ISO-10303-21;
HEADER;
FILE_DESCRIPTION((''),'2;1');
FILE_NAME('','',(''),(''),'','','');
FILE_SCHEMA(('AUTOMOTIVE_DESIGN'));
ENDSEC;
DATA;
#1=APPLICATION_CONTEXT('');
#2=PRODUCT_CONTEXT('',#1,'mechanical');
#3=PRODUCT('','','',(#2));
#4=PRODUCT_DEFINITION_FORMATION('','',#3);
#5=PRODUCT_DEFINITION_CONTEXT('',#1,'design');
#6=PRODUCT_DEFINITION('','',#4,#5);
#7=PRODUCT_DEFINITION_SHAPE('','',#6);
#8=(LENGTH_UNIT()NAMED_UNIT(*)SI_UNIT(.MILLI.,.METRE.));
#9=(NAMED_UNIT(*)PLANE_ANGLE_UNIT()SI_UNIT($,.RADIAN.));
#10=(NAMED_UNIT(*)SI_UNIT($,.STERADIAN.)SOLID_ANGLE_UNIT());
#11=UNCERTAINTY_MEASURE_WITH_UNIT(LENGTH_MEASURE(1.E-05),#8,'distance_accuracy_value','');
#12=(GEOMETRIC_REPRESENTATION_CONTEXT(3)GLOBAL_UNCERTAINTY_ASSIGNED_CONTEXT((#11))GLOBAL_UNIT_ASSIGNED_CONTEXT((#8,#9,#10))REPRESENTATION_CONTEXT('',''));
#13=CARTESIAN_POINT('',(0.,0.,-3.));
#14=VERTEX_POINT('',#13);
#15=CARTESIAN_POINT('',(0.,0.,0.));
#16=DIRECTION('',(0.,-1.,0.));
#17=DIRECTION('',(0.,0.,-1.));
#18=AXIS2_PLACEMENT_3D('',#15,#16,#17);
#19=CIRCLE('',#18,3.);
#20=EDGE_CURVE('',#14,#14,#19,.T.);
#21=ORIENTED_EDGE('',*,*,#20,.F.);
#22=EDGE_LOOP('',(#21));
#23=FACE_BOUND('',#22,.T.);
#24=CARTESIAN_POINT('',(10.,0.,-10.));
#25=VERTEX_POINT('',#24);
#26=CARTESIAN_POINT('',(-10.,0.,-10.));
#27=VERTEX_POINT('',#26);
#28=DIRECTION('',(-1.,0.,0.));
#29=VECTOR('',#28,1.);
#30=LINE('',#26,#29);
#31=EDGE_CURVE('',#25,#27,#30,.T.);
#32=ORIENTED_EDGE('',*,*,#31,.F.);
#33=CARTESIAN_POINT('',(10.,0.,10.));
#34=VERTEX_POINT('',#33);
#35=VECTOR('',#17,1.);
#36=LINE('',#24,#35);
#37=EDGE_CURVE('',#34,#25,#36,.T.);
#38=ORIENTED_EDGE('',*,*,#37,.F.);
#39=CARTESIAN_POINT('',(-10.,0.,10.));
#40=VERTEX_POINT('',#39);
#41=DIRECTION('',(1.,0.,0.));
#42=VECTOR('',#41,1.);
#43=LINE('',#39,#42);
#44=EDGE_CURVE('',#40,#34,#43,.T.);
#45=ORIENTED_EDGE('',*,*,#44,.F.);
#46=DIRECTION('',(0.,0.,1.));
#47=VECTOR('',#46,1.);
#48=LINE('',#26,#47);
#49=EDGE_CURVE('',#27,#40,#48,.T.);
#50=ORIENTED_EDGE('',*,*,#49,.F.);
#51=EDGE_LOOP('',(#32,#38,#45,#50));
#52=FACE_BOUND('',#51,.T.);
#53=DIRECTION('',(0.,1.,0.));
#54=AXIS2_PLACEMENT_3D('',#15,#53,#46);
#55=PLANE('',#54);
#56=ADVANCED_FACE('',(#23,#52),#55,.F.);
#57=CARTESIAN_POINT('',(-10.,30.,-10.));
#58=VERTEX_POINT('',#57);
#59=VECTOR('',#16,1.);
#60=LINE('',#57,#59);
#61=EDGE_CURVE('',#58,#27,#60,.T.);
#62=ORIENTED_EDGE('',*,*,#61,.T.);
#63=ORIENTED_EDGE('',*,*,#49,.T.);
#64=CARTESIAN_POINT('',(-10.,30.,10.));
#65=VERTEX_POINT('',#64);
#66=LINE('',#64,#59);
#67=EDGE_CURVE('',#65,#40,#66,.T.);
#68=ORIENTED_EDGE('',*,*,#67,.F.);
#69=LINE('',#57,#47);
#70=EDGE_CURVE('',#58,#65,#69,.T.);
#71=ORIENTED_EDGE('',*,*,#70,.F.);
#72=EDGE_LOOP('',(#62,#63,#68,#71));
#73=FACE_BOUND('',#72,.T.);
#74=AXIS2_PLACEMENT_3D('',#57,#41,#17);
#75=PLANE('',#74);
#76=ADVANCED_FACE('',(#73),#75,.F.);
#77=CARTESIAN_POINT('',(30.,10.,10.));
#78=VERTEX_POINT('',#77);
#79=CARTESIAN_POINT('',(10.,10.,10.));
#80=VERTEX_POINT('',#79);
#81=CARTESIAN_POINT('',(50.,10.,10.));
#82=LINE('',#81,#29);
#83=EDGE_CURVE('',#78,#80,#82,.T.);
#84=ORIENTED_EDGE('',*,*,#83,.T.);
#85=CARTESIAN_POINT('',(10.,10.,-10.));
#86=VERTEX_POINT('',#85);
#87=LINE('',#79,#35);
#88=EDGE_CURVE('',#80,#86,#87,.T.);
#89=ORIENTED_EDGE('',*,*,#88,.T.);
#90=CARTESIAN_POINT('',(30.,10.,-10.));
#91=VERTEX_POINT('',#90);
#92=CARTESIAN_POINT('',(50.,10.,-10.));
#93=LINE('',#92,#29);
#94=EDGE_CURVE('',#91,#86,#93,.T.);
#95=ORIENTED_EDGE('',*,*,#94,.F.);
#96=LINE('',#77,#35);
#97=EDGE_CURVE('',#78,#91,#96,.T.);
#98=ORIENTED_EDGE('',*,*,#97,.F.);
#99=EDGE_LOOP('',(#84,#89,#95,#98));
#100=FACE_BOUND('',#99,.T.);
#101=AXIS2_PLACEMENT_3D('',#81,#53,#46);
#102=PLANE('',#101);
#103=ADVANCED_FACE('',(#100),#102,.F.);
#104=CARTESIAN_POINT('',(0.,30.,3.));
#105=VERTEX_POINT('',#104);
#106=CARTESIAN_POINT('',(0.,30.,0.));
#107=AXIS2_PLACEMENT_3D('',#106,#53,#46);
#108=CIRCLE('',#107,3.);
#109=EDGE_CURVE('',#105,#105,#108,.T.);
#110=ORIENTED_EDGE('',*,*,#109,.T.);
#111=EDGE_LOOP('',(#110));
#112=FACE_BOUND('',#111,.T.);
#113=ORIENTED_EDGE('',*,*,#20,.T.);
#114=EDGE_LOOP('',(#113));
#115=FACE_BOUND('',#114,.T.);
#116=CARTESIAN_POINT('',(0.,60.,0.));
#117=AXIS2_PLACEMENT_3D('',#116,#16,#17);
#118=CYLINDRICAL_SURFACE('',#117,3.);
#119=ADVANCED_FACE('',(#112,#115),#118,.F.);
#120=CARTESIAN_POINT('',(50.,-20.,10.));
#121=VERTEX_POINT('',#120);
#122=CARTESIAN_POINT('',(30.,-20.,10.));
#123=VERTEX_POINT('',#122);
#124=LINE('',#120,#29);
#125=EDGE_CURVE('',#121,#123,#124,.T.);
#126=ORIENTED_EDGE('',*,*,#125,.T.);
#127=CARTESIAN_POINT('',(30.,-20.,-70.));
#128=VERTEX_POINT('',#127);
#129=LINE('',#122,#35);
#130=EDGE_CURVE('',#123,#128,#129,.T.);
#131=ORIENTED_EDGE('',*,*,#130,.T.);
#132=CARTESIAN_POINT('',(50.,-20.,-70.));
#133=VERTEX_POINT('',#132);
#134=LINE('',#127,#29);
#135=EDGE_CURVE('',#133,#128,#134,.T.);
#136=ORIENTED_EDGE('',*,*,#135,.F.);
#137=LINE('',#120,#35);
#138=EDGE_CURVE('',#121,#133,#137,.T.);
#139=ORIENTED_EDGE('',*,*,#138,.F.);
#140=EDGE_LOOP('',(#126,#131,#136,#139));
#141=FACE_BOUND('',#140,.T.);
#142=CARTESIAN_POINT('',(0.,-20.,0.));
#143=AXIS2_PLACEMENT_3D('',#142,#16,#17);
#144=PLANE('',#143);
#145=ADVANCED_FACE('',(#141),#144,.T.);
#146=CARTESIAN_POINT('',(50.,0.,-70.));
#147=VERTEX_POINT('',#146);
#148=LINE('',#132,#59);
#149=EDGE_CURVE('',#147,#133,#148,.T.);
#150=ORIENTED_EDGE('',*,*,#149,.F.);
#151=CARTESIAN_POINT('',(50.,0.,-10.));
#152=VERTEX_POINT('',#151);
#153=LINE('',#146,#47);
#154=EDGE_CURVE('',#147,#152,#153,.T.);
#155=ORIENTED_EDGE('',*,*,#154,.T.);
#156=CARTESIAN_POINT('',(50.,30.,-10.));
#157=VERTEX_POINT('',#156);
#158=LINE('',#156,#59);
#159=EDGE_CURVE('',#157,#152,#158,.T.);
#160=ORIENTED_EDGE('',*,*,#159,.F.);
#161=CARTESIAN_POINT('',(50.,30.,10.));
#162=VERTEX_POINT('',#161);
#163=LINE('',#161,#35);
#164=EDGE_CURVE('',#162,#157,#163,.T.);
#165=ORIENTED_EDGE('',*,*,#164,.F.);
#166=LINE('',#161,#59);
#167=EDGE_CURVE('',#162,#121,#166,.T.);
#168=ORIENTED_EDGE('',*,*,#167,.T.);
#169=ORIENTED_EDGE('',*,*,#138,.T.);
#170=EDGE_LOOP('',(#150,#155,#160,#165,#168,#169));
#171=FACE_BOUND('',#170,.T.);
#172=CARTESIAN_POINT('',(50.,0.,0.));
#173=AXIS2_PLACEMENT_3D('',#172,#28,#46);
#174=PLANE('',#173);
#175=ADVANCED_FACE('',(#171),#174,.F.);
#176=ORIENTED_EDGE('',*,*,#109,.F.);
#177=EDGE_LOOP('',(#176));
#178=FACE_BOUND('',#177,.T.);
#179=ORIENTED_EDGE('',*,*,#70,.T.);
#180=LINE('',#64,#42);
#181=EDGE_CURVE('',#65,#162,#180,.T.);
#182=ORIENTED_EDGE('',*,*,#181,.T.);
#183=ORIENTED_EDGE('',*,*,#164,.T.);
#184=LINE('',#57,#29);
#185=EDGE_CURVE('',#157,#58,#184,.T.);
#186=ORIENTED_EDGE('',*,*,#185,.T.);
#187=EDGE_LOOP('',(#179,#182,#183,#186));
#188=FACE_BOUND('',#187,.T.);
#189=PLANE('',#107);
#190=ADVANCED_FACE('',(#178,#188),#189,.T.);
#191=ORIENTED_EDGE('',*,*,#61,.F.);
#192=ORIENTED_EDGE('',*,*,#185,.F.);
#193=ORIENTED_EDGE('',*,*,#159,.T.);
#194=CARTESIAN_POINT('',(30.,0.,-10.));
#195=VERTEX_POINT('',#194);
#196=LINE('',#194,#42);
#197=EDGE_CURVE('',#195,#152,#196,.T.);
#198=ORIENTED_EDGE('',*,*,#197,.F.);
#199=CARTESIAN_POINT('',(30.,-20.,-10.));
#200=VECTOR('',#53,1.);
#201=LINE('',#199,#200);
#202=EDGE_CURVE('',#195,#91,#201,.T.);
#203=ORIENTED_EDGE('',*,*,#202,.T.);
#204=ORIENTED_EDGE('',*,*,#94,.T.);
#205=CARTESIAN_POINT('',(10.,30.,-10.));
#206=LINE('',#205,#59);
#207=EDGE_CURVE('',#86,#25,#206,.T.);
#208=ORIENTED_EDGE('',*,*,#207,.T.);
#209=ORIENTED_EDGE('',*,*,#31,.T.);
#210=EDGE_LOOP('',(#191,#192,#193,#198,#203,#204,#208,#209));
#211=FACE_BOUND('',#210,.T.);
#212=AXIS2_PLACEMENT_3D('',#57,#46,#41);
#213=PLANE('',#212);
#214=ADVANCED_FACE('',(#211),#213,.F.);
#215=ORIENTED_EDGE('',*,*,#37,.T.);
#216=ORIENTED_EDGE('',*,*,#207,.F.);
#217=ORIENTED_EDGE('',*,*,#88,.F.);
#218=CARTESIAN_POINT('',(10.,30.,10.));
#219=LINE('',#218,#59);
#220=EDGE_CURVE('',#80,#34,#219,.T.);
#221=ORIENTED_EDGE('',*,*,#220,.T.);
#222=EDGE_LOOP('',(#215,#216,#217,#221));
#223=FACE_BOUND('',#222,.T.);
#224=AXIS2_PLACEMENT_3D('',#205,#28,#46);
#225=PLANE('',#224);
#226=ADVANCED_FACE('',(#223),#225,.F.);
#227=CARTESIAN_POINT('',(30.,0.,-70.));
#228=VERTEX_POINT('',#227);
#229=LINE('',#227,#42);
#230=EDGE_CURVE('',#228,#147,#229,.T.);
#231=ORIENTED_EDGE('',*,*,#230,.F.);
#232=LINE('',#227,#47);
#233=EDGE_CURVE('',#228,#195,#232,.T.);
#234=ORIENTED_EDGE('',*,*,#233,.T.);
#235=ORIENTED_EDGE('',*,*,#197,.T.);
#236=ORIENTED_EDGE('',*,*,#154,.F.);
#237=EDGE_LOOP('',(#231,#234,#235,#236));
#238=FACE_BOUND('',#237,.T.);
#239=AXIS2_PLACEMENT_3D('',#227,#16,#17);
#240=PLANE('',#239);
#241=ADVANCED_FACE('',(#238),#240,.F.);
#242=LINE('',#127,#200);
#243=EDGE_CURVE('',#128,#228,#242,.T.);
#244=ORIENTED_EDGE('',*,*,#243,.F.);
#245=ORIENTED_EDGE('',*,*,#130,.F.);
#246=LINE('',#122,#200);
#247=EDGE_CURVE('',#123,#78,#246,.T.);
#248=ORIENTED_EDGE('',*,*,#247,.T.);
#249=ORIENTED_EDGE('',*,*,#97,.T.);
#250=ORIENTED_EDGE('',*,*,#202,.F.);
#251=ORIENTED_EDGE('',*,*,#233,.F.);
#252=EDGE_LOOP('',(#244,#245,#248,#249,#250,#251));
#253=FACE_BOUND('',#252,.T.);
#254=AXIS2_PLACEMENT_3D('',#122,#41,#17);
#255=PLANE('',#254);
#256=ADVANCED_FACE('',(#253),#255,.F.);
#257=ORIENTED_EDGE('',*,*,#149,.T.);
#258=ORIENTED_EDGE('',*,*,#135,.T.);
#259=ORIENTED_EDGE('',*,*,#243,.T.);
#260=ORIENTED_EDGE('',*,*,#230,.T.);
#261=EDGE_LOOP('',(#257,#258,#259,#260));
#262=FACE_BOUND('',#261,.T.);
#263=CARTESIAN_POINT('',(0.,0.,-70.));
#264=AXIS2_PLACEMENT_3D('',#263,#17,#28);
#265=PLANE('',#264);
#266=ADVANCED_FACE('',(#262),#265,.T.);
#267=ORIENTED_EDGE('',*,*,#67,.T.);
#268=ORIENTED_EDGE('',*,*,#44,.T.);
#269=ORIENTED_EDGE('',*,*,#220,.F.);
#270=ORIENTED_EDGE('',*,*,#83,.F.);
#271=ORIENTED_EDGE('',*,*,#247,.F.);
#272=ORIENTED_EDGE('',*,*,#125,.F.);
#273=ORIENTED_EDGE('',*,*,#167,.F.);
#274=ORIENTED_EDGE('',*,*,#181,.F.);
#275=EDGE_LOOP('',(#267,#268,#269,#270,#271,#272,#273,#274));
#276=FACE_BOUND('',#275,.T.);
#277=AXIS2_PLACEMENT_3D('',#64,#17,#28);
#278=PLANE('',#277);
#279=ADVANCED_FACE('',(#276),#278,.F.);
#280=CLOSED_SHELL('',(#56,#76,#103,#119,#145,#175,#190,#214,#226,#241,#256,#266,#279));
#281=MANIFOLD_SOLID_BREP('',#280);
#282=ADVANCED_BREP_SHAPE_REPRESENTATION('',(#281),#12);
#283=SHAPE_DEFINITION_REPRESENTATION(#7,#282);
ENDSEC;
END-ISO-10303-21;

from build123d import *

# Parameters (mm, degrees)
SKETCH_1_W          = 20
SKETCH_1_H          = 20
EXTRUDE_1_DEPTH     = 30
SKETCH_2_W          = 20
SKETCH_2_H          = 20
EXTRUDE_2_DEPTH     = 40
SKETCH_6_W          = 20
SKETCH_6_H          = 20
EXTRUDE_3_DEPTH     = 30
SKETCH_7_W          = 20
SKETCH_7_H          = 20
EXTRUDE_4_DEPTH     = 60
SKETCH_8_R          = 3
CUT_EXTRUDE_1_DEPTH = 60


with BuildPart() as part:
    # 草图1 → 凸台-拉伸1 (new body)
    with BuildSketch(Plane(origin=(0, 0, 0), x_dir=(1, 0, 0), z_dir=(0, 1, 0))):
        Rectangle(SKETCH_1_W, SKETCH_1_H)
    extrude(amount=EXTRUDE_1_DEPTH)

    # 草图2 → 凸台-拉伸2 (add)
    with BuildSketch(Plane(origin=(10, 0, 0), x_dir=(0, 0, -1), z_dir=(1, 0, 0))):
        with Locations((0, 20)):
            Rectangle(SKETCH_2_W, SKETCH_2_H)
    extrude(amount=EXTRUDE_2_DEPTH)

    # 草图6 → 凸台-拉伸3 (add)
    with BuildSketch(Plane.XZ.offset(-10)):
        with Locations((40, 0)):
            Rectangle(SKETCH_6_W, SKETCH_6_H)
    extrude(amount=EXTRUDE_3_DEPTH)

    # 草图7 → 凸台-拉伸4 (add)
    with BuildSketch(Plane(origin=(0, 0, -10), x_dir=(-1, 0, 0), z_dir=(0, 0, -1))):
        with Locations((-40, -10)):
            Rectangle(SKETCH_7_W, SKETCH_7_H)
    extrude(amount=EXTRUDE_4_DEPTH)

    # 草图8 → 切除-拉伸1 (cut)
    with BuildSketch(Plane(origin=(0, 0, 0), x_dir=(-1, 0, 0), z_dir=(0, -1, 0))):
        with Locations(Location((0, 0, 0), (0, 0, 90))):
            Circle(SKETCH_8_R)
    extrude(amount=-CUT_EXTRUDE_1_DEPTH, mode=Mode.SUBTRACT)


solid = part.part
